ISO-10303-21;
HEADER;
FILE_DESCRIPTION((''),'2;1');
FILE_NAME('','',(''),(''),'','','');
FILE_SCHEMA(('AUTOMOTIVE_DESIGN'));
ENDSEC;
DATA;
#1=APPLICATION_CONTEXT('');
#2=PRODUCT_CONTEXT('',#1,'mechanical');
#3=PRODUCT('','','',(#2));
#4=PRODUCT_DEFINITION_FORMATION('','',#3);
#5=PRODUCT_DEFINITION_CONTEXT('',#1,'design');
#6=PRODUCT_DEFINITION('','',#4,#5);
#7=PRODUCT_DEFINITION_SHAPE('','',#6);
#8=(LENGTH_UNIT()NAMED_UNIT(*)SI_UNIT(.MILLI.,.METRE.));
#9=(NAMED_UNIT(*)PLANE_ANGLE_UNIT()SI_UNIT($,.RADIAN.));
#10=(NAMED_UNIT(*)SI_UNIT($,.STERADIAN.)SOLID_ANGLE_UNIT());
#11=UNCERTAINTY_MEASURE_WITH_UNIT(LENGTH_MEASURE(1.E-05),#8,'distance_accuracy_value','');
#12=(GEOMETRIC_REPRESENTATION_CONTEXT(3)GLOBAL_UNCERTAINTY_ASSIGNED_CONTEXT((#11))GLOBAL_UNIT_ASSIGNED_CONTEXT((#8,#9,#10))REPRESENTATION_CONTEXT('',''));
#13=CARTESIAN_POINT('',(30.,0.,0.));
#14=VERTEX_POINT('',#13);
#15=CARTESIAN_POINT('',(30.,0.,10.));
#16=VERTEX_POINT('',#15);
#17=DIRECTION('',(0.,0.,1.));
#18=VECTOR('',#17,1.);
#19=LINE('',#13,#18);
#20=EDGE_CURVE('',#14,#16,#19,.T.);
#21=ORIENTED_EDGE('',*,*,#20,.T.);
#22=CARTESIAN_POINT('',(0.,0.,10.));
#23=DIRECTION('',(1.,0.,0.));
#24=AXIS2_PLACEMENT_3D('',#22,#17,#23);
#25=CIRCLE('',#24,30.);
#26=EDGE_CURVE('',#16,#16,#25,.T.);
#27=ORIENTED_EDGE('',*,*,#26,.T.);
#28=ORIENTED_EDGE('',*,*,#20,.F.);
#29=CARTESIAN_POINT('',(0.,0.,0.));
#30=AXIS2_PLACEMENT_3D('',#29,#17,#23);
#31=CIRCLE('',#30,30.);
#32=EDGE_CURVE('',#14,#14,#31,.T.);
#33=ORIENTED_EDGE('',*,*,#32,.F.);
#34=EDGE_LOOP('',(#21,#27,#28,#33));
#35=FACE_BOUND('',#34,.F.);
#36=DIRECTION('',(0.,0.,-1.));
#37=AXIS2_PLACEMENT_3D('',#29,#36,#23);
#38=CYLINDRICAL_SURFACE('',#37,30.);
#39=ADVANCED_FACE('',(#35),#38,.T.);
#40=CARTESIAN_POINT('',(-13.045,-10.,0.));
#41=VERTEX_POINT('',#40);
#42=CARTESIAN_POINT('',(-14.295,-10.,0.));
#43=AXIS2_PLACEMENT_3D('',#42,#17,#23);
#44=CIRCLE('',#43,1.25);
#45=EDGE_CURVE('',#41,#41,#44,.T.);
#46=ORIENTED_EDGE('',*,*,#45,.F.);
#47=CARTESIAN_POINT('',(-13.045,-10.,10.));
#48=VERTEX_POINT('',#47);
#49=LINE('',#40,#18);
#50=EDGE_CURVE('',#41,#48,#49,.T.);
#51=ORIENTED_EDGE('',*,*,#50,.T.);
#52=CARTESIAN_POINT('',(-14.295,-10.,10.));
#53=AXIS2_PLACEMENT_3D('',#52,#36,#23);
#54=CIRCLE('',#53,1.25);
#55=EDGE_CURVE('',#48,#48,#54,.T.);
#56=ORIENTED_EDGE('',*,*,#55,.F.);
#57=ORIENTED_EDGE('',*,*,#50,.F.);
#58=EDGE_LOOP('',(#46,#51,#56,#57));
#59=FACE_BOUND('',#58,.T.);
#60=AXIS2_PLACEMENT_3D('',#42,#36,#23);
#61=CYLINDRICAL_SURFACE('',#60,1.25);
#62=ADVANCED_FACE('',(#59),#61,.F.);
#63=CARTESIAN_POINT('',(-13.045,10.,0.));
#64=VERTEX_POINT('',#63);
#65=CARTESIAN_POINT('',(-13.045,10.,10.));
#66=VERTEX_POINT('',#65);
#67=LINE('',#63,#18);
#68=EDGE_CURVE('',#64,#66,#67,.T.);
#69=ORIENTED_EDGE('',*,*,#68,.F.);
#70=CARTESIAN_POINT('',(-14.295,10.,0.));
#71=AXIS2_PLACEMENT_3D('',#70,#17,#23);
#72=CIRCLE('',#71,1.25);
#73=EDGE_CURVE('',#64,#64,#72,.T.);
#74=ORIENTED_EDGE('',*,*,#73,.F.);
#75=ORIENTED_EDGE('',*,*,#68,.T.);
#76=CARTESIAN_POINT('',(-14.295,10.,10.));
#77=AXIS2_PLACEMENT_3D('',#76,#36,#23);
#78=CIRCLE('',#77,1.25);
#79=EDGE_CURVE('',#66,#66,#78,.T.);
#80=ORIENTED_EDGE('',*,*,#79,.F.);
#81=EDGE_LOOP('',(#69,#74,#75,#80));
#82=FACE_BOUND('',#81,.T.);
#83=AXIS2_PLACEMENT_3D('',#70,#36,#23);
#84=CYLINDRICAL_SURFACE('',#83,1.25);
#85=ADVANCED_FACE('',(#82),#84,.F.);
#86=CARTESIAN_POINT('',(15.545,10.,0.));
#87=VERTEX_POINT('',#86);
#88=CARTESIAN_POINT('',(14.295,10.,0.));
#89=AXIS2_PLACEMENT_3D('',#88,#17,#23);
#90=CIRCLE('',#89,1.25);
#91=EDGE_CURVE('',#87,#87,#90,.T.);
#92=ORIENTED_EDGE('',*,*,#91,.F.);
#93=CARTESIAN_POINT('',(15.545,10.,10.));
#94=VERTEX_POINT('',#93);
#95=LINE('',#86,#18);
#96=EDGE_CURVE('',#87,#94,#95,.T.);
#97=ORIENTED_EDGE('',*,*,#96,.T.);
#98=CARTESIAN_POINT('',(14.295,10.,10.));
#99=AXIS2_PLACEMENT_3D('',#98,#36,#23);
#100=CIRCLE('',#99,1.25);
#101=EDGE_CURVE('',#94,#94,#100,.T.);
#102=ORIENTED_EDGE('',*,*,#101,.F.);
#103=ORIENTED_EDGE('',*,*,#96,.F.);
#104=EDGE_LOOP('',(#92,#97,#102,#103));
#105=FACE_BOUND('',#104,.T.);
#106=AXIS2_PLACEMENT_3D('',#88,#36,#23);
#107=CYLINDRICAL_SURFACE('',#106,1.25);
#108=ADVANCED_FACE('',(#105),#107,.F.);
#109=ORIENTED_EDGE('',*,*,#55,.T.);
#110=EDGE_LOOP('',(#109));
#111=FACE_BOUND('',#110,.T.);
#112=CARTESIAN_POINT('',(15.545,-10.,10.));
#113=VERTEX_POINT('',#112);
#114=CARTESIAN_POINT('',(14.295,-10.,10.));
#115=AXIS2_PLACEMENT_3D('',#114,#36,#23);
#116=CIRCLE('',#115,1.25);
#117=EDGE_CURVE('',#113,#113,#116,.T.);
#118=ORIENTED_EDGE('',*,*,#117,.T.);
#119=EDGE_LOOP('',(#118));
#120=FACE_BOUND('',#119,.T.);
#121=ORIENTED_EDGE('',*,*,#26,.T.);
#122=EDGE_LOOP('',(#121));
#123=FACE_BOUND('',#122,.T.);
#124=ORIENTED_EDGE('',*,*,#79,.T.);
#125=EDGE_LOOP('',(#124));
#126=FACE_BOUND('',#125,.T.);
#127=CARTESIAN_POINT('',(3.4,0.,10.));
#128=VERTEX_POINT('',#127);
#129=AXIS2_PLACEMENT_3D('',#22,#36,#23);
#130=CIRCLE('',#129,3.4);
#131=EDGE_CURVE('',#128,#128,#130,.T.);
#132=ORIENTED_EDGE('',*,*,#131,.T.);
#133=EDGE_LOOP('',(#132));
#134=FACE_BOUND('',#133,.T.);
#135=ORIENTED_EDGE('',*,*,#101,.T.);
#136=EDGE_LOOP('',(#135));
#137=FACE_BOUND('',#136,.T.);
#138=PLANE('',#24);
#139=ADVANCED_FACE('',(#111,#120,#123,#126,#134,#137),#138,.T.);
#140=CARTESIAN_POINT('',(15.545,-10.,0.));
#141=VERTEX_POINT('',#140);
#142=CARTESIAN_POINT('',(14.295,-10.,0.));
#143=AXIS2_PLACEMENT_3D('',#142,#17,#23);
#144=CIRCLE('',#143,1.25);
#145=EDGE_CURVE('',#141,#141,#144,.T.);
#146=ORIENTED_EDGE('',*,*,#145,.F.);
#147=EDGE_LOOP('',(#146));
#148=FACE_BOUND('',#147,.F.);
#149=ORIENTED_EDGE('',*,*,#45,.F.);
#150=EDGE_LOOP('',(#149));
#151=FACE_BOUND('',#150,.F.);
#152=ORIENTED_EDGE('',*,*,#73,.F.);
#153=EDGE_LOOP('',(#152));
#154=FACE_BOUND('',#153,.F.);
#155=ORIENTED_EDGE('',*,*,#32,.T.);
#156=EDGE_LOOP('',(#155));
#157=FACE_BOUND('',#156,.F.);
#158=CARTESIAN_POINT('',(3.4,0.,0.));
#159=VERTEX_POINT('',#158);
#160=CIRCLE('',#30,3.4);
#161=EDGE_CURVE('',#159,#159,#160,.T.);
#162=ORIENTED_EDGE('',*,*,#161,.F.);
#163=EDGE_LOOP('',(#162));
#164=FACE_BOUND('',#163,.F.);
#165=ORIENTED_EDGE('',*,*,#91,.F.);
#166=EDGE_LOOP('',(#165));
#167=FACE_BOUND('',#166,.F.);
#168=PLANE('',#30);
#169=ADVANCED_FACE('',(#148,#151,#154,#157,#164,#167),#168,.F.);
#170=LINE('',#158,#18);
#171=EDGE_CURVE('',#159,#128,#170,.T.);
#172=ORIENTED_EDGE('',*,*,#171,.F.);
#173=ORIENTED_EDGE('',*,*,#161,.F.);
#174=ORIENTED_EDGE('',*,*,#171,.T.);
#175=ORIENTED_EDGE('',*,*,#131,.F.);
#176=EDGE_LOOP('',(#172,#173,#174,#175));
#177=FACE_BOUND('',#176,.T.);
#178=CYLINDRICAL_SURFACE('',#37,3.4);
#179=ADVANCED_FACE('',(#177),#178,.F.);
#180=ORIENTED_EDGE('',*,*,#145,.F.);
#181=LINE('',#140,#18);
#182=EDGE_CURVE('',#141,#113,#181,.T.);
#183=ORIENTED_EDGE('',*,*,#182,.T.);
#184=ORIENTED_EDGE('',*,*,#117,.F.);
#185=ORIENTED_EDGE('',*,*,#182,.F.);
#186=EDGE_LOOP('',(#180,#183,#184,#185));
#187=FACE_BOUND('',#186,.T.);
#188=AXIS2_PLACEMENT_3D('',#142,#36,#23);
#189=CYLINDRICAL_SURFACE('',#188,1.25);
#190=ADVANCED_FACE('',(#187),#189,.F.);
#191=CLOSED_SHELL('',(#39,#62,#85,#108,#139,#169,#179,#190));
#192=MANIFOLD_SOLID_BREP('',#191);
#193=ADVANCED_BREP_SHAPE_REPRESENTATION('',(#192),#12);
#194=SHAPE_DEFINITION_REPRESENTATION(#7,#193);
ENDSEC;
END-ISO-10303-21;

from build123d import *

# Parameters (mm, degrees)
SKETCH_R      = 30
PAD_DEPTH     = 10
SKETCH001_R   = 3.4
HOLE_DEPTH    = 10.001
SKETCH002_R   = 1.25
HOLE001_DEPTH = 10.001


with BuildPart() as part:
    # Sketch → Pad (new body)
    with BuildSketch(Plane.XY):
        Circle(SKETCH_R)
    extrude(amount=PAD_DEPTH)

    # Sketch001 → Hole (cut, through all)
    with BuildSketch(Plane.XY):
        Circle(SKETCH001_R)
    extrude(amount=HOLE_DEPTH, mode=Mode.SUBTRACT)

    # Sketch002 → Hole001 (cut, through all)
    with BuildSketch(Plane.XY):
        with Locations((-14.295, 10)):
            Circle(SKETCH002_R)
        with Locations((14.295, 10)):
            Circle(SKETCH002_R)
        with Locations((14.295, -10)):
            Circle(SKETCH002_R)
        with Locations((-14.295, -10)):
            Circle(SKETCH002_R)
    extrude(amount=HOLE001_DEPTH, mode=Mode.SUBTRACT)


solid = part.part
